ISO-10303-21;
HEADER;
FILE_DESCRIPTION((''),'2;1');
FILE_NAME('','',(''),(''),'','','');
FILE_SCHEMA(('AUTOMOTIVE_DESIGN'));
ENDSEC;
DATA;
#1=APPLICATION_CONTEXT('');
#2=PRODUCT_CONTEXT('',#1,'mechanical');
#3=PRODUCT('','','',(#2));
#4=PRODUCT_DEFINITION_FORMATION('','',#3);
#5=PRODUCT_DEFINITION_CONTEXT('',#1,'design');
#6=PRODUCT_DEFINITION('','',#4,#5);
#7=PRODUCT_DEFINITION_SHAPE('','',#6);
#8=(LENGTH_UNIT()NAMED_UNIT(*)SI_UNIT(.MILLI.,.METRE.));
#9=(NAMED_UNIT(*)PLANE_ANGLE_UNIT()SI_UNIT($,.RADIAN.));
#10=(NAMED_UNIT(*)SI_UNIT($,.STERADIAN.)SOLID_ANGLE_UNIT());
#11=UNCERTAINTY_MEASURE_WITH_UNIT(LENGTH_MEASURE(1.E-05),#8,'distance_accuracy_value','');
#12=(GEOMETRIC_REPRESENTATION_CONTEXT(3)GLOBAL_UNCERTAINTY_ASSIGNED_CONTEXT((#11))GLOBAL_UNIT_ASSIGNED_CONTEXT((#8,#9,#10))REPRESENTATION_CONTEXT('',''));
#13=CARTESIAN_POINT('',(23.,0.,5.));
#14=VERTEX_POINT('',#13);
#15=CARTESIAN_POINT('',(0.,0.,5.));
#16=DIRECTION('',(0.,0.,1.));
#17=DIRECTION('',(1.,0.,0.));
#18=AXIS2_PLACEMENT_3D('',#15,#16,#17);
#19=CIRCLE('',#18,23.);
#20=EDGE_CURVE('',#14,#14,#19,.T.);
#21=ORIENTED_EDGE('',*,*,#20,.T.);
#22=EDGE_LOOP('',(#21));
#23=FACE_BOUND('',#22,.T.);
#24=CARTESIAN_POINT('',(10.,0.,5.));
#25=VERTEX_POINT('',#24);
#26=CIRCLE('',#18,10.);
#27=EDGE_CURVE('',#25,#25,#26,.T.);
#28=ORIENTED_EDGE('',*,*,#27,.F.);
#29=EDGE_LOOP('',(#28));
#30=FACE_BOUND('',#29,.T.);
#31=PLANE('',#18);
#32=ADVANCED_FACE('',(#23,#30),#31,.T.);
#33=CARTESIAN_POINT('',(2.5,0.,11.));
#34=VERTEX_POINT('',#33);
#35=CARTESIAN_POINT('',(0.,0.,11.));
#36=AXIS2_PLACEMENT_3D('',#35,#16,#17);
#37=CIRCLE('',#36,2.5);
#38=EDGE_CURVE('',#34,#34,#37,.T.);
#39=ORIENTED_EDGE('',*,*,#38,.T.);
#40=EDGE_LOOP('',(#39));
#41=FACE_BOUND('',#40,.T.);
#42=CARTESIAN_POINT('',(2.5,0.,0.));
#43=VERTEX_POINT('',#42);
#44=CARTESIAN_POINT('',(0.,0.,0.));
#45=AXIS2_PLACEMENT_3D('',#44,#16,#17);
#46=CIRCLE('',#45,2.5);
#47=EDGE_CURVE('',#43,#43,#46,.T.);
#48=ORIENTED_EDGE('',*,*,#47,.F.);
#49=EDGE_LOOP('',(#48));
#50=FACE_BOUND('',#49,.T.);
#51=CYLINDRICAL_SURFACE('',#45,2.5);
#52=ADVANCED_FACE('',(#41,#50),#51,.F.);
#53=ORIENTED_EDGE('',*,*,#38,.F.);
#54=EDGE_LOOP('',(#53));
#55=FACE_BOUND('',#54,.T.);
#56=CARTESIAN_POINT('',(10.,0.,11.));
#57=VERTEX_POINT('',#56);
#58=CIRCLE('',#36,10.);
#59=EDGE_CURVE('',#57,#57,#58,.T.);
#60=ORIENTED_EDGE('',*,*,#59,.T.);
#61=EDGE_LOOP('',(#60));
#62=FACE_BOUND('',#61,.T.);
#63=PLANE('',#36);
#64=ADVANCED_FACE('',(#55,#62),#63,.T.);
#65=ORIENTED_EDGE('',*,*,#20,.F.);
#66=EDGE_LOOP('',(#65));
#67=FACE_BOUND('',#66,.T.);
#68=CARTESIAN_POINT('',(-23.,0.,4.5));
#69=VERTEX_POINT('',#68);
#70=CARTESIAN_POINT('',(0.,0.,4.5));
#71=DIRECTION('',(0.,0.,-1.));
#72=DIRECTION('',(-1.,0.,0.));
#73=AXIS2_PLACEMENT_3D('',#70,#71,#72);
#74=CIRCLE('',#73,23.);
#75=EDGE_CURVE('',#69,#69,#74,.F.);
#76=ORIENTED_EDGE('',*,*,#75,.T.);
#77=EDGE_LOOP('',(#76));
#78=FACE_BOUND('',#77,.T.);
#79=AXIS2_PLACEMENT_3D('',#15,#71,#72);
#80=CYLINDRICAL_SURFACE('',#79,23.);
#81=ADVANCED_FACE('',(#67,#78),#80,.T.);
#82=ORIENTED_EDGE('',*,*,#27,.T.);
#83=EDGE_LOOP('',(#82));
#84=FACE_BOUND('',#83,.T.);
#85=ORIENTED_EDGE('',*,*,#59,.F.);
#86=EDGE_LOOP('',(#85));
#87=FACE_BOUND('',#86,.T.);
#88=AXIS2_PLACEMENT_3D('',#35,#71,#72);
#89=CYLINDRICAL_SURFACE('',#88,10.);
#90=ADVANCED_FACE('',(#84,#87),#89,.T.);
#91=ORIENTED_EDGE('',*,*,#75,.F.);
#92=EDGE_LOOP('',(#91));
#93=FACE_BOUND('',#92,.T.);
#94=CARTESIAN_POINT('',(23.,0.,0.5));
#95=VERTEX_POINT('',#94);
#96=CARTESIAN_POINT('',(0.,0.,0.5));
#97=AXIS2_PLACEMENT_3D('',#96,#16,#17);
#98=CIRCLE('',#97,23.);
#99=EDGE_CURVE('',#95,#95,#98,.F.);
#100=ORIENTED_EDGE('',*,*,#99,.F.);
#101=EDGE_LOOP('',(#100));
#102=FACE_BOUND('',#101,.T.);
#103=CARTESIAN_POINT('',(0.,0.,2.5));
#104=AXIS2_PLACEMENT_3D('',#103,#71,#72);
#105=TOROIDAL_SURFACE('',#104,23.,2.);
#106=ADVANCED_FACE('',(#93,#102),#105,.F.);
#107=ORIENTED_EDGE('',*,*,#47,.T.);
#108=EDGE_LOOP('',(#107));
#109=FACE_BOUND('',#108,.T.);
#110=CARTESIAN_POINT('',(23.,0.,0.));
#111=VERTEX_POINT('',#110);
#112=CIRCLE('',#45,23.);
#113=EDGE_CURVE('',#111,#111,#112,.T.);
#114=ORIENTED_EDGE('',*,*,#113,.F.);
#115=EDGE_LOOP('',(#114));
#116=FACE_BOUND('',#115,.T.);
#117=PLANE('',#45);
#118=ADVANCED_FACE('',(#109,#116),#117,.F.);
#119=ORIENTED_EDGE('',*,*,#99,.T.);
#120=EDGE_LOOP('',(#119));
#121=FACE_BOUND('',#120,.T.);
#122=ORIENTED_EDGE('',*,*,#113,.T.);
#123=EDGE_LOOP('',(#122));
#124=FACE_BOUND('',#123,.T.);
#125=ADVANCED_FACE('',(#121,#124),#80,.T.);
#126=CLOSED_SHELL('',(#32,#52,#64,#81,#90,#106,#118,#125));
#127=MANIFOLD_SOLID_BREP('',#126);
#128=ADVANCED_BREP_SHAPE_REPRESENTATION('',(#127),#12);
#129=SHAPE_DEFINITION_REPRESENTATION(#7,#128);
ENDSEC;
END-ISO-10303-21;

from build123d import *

# Parameters (mm, degrees)
ESQUISSE1_R             = 23
BOSS_EXTRU_1_DEPTH      = 5
ESQUISSE2_R             = 10
BOSS_EXTRU_2_DEPTH      = 6
ESQUISSE3_R             = 2.5
ENL_V_MAT_EXTRU_1_DEPTH = 35.336569427
ESQUISSE4_R             = 2


with BuildPart() as part:
    # Esquisse1 → Boss.-Extru.1 (new body)
    with BuildSketch(Plane.XY):
        Circle(ESQUISSE1_R)
    extrude(amount=BOSS_EXTRU_1_DEPTH)

    # Esquisse2 → Boss.-Extru.2 (add)
    with BuildSketch(Plane.XY.offset(5)):
        Circle(ESQUISSE2_R)
    extrude(amount=BOSS_EXTRU_2_DEPTH)

    # Esquisse3 → Enlèv. mat.-Extru.1 (cut, through all)
    with BuildSketch(Plane.XY.offset(11)):
        Circle(ESQUISSE3_R)
    extrude(amount=-ENL_V_MAT_EXTRU_1_DEPTH, mode=Mode.SUBTRACT)

    # Esquisse4 → Enlèvement de matière-Révolution1 (revolve, cut)
    with BuildSketch(Plane(origin=(0, 0, 0), x_dir=(0, 0, -1), z_dir=(1, 0, 0)), mode=Mode.PRIVATE) as enl_vement_de_mati_re_r_volution1_sk:
        with Locations((-2.5, 23)):
            Circle(ESQUISSE4_R)
    revolve(enl_vement_de_mati_re_r_volution1_sk.sketch.rotate(Axis((0, 0, 0), (0, 0, 1)), 90), axis=Axis((0, 0, 0), (0, 0, 1)), mode=Mode.SUBTRACT)


solid = part.part
